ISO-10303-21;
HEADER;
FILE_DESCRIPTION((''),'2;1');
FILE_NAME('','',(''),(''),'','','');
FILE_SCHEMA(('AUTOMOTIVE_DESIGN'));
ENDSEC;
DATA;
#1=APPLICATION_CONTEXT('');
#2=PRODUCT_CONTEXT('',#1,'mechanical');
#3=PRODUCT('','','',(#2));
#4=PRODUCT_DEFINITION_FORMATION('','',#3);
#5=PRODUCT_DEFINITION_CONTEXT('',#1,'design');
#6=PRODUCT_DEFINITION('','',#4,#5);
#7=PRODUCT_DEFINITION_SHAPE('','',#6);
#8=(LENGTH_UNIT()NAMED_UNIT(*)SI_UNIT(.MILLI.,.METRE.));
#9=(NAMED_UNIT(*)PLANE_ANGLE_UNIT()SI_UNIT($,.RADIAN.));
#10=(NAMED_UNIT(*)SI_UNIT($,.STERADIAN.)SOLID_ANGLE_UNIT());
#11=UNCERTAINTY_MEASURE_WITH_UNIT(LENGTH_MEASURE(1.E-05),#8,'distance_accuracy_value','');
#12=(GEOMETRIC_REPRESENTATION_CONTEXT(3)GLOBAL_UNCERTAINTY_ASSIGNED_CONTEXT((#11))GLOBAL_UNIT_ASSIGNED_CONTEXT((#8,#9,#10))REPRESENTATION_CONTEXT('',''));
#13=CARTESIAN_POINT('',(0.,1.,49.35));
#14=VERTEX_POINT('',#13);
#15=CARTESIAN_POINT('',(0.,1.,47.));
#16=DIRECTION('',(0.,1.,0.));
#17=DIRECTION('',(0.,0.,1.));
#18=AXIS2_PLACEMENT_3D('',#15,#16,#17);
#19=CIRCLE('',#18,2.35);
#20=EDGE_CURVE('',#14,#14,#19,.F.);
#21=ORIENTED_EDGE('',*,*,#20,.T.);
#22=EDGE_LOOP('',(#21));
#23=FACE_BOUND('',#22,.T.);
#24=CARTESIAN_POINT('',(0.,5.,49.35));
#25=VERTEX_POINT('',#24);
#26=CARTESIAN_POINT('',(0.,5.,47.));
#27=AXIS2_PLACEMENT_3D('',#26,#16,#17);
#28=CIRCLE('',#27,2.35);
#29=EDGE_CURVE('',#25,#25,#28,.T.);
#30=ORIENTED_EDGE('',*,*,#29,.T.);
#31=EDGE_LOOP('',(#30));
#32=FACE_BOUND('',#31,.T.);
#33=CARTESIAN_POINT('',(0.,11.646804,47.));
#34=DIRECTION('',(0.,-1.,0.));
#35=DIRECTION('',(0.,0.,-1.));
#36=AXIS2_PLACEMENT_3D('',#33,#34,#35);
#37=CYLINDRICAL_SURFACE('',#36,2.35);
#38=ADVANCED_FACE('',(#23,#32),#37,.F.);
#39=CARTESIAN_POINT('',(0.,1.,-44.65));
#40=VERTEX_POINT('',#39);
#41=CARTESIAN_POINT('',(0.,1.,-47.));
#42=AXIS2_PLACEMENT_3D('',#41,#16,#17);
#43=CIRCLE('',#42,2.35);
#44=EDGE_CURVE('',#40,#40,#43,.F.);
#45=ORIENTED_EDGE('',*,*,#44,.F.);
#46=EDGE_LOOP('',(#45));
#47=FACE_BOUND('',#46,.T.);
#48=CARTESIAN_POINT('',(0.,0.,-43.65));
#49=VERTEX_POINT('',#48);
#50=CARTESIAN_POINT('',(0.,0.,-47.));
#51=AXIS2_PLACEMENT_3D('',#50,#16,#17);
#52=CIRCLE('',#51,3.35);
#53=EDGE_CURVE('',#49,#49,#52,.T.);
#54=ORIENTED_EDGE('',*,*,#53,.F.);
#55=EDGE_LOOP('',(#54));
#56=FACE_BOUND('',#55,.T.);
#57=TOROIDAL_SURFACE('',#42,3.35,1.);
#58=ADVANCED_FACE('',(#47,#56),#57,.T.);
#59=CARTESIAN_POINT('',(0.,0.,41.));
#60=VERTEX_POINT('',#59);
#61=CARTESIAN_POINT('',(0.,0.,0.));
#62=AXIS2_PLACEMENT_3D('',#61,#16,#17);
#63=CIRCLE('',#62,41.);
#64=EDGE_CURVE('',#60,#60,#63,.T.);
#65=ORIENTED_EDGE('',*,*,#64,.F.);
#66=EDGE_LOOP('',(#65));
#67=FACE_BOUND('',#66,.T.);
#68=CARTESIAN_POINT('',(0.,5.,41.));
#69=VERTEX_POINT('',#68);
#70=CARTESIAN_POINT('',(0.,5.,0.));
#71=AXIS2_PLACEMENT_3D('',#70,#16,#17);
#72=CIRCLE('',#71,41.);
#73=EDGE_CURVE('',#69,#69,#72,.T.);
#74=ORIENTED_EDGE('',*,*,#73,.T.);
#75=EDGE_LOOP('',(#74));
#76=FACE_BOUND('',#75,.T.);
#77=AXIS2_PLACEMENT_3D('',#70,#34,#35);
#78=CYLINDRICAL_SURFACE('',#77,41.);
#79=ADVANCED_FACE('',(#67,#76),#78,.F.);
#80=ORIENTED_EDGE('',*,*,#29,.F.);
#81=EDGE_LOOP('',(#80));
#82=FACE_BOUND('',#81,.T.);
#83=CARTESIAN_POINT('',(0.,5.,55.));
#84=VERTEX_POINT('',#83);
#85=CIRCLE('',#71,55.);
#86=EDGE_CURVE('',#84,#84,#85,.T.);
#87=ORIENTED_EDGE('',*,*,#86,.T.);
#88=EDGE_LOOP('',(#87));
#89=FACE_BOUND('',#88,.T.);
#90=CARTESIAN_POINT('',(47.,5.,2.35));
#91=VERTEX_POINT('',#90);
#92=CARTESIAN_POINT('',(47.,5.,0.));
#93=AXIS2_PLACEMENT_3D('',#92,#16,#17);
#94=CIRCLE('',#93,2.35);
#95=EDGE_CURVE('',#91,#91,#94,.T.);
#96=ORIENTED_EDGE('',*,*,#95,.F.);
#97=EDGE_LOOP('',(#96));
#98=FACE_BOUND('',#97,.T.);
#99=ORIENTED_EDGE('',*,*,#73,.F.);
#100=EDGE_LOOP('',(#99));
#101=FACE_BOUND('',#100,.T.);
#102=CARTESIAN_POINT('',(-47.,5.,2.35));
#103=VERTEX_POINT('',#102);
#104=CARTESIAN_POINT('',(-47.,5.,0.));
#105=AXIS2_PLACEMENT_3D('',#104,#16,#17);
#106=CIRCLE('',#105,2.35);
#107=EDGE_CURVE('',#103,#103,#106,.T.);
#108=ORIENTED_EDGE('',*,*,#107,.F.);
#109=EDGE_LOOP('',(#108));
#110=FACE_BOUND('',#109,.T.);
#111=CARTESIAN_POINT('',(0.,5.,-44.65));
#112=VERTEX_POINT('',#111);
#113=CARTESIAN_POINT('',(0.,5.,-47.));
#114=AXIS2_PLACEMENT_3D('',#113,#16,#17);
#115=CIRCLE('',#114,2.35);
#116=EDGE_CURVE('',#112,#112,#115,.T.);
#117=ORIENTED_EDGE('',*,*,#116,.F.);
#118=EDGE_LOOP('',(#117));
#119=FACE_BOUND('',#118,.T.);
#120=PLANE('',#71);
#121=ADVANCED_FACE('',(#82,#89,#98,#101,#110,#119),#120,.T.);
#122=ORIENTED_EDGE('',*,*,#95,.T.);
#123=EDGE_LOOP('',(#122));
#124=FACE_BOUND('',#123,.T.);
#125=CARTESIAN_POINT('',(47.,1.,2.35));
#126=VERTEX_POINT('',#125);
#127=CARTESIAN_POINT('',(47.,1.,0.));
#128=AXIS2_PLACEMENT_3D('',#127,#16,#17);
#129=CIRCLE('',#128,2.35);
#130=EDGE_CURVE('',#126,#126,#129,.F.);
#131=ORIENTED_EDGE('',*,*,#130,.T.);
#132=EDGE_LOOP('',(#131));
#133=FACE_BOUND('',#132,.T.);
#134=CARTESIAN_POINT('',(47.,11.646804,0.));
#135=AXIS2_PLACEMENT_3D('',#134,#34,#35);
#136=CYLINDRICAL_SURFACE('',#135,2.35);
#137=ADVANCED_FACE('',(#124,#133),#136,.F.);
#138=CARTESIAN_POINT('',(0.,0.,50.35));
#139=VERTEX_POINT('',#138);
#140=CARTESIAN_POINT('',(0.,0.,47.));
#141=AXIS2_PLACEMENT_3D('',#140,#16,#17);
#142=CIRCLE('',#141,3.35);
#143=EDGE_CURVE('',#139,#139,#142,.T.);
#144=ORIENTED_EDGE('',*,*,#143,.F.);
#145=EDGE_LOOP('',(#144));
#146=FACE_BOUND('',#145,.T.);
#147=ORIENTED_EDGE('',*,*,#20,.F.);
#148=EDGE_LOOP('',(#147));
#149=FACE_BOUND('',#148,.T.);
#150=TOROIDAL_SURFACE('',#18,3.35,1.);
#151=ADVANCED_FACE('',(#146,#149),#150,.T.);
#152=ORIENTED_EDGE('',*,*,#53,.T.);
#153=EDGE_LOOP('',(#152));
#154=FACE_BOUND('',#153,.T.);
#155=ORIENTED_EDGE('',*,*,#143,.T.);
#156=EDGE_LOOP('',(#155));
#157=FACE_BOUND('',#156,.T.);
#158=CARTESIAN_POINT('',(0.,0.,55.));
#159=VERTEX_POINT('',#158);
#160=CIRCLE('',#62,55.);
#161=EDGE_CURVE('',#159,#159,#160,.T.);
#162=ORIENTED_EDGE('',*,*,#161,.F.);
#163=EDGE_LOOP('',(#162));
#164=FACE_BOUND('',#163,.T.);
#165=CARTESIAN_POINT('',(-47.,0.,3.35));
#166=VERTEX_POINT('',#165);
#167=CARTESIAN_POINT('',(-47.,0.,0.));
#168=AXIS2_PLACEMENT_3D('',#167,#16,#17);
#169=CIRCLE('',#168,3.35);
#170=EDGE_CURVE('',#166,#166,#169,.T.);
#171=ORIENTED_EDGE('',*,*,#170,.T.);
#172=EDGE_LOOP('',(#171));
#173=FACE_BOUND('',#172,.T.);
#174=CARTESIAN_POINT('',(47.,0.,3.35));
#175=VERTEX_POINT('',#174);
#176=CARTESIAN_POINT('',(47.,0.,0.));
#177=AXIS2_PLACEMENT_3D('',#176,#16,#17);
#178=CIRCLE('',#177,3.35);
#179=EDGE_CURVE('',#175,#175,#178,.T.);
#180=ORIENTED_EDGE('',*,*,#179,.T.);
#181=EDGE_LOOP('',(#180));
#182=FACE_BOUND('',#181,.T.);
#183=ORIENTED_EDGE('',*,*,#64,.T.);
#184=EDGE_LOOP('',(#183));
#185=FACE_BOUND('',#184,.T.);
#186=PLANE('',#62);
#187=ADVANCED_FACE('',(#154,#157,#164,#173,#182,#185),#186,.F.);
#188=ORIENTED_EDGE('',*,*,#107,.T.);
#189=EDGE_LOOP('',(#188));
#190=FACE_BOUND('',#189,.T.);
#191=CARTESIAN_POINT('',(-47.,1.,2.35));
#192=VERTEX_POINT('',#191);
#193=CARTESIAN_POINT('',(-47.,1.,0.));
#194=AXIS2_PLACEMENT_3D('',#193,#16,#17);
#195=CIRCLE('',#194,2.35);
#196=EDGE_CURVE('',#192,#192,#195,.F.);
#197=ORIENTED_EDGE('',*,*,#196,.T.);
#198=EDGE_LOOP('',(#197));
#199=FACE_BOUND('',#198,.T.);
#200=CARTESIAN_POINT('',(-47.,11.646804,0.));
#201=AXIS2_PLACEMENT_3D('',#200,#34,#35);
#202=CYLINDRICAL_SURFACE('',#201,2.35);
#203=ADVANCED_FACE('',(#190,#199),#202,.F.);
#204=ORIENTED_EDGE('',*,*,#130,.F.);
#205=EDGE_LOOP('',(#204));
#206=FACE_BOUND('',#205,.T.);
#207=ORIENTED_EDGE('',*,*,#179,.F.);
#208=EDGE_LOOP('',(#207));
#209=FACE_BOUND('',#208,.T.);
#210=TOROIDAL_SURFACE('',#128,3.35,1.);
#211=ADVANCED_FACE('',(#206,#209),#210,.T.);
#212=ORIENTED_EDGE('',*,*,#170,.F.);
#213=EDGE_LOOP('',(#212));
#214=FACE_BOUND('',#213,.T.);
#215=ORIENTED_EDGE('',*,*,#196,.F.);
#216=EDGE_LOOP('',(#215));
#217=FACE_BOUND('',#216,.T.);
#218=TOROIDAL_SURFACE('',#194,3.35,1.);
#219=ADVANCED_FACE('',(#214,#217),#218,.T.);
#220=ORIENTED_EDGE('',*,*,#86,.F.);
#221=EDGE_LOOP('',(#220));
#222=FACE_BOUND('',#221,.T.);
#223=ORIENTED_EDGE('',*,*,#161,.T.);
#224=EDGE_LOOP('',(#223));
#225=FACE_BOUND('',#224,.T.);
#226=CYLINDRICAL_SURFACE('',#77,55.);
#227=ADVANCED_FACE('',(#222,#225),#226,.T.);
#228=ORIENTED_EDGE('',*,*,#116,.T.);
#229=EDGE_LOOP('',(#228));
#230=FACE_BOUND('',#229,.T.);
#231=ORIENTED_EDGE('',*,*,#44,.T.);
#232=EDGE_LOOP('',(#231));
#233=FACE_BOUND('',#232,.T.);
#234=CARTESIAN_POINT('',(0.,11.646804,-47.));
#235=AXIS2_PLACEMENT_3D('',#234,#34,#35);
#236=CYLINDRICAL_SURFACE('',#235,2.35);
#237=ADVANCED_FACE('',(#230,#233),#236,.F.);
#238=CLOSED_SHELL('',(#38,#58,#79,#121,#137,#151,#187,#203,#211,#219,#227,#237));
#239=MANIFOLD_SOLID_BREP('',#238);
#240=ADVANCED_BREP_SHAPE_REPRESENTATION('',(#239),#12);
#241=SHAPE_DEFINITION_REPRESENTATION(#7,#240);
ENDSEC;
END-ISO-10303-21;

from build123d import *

# Parameters (mm, degrees)
SKETCH_2_R          = 55
SKETCH_2_R_2        = 41
EXTRUDE_1_DEPTH     = 5
SKETCH_5_R          = 2.35
CUT_EXTRUDE_2_DEPTH = 5
FILLET_1_R          = 1


with BuildPart() as part:
    # 草图2 → 凸台-拉伸1 (new body)
    with BuildSketch(Plane(origin=(0, 0, 0), x_dir=(1, 0, 0), z_dir=(0, 1, 0))):
        with Locations(Location((0, 0, 0), (0, 0, 270))):
            Circle(SKETCH_2_R)
        with Locations(Location((0, 0, 0), (0, 0, 270))):
            Circle(SKETCH_2_R_2, mode=Mode.SUBTRACT)
    extrude(amount=EXTRUDE_1_DEPTH)

    # 草图5 → 切除-拉伸2 (cut)
    with BuildSketch(Plane(origin=(0, 0, 0), x_dir=(1, 0, 0), z_dir=(0, 1, 0))):
        with Locations(Location((0, -47, 0), (0, 0, 270))):
            Circle(SKETCH_5_R)
        with Locations(Location((-47, 0, 0), (0, 0, 270))):
            Circle(SKETCH_5_R)
        with Locations(Location((0, 47, 0), (0, 0, 270))):
            Circle(SKETCH_5_R)
        with Locations(Location((47, 0, 0), (0, 0, 270))):
            Circle(SKETCH_5_R)
    extrude(amount=CUT_EXTRUDE_2_DEPTH, mode=Mode.SUBTRACT)

    # 圆角1
    fillet_1_edges = [part.edges().sort_by_distance(p)[0] for p in [
        (0, 0, 44.65),
        (0, 0, -49.35),
        (-47, 0, -2.35),
        (47, 0, -2.35),
    ]]
    fillet(fillet_1_edges, radius=FILLET_1_R)


solid = part.part
